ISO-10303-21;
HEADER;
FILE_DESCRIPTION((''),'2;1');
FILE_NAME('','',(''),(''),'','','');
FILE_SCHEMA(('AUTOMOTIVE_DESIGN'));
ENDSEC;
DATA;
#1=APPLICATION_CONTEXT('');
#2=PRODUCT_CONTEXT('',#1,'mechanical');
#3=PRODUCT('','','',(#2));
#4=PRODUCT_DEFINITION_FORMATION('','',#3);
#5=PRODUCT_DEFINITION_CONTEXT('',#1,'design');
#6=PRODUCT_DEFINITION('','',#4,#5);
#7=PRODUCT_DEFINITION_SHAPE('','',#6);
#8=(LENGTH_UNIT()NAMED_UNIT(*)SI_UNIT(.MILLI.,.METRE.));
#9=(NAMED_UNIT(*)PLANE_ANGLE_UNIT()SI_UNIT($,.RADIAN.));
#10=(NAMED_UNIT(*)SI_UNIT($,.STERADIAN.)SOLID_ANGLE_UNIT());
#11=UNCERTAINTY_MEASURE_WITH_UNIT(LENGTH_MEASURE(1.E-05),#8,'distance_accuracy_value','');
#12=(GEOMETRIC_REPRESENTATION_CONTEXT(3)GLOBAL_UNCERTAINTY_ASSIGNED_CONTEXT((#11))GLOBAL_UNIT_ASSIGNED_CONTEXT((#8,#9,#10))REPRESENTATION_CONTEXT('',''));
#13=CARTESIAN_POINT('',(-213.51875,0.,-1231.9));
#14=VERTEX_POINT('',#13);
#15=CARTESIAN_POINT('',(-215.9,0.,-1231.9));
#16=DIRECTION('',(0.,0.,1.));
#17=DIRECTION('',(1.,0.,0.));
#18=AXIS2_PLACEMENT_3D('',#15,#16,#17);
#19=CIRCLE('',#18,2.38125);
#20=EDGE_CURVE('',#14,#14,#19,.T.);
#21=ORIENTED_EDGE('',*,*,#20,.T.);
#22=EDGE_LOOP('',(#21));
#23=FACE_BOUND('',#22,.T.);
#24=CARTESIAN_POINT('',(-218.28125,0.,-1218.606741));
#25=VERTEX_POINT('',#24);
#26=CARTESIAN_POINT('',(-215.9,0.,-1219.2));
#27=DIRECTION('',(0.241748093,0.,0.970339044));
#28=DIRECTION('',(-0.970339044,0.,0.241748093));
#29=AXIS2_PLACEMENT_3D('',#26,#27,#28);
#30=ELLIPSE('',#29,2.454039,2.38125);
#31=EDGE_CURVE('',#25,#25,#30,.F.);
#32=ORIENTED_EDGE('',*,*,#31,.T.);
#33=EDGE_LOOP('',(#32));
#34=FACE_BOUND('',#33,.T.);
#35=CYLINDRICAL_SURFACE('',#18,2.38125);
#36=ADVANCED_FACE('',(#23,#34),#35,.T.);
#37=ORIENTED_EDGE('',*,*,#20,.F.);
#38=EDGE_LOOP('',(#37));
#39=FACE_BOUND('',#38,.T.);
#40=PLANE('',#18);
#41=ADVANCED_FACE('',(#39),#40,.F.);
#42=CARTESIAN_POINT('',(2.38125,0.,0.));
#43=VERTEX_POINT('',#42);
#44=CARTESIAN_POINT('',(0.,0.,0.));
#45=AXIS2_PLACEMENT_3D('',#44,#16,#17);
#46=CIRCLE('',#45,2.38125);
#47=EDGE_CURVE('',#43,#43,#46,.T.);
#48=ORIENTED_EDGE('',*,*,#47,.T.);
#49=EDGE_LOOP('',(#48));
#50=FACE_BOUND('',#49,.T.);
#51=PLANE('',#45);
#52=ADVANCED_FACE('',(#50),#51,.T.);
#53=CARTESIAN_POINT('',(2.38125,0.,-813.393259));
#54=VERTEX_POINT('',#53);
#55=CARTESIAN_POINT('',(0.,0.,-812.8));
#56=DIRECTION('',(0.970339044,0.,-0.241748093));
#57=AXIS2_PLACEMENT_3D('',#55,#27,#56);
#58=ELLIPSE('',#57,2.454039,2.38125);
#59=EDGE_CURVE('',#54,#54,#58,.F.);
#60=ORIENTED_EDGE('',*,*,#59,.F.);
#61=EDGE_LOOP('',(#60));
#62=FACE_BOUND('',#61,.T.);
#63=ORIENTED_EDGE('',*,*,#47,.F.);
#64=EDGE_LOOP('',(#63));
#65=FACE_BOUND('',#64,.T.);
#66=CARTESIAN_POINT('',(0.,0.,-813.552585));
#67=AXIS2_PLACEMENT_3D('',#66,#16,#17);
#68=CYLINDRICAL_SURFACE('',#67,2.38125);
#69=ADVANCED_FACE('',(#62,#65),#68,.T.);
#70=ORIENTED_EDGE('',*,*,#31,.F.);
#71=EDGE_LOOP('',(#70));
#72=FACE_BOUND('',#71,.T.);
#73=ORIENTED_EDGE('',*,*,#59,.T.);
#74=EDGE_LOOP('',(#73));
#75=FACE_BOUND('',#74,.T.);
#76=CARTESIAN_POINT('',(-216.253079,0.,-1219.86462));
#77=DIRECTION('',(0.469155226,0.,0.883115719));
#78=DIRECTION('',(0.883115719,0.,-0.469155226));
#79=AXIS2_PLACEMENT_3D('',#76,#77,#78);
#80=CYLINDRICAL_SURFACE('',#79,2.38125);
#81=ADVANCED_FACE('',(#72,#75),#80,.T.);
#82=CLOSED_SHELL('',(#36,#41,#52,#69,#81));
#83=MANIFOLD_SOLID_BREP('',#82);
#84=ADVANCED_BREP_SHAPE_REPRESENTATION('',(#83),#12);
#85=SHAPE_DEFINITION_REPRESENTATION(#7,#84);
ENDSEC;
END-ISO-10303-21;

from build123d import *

# Parameters (mm, degrees)
SKETCH2_R = 2.38125


with BuildPart() as part:
    # Sweep1: sweep along a path in Sketch1
    with BuildLine(Plane(origin=(0, 0, 0), x_dir=(1, 0, 0), z_dir=(0, 1, 0))) as sweep1_path:
        Line((0, 0), (0, 812.8))
        Line((0, 812.8), (-215.9, 1219.2))
        Line((-215.9, 1219.2), (-215.9, 1231.9))
    # Sketch2 → Sweep1 (sweep)
    with BuildSketch(Plane.XY):
        Circle(SKETCH2_R)
    sweep(path=sweep1_path.line, transition=Transition.RIGHT)


solid = part.part
